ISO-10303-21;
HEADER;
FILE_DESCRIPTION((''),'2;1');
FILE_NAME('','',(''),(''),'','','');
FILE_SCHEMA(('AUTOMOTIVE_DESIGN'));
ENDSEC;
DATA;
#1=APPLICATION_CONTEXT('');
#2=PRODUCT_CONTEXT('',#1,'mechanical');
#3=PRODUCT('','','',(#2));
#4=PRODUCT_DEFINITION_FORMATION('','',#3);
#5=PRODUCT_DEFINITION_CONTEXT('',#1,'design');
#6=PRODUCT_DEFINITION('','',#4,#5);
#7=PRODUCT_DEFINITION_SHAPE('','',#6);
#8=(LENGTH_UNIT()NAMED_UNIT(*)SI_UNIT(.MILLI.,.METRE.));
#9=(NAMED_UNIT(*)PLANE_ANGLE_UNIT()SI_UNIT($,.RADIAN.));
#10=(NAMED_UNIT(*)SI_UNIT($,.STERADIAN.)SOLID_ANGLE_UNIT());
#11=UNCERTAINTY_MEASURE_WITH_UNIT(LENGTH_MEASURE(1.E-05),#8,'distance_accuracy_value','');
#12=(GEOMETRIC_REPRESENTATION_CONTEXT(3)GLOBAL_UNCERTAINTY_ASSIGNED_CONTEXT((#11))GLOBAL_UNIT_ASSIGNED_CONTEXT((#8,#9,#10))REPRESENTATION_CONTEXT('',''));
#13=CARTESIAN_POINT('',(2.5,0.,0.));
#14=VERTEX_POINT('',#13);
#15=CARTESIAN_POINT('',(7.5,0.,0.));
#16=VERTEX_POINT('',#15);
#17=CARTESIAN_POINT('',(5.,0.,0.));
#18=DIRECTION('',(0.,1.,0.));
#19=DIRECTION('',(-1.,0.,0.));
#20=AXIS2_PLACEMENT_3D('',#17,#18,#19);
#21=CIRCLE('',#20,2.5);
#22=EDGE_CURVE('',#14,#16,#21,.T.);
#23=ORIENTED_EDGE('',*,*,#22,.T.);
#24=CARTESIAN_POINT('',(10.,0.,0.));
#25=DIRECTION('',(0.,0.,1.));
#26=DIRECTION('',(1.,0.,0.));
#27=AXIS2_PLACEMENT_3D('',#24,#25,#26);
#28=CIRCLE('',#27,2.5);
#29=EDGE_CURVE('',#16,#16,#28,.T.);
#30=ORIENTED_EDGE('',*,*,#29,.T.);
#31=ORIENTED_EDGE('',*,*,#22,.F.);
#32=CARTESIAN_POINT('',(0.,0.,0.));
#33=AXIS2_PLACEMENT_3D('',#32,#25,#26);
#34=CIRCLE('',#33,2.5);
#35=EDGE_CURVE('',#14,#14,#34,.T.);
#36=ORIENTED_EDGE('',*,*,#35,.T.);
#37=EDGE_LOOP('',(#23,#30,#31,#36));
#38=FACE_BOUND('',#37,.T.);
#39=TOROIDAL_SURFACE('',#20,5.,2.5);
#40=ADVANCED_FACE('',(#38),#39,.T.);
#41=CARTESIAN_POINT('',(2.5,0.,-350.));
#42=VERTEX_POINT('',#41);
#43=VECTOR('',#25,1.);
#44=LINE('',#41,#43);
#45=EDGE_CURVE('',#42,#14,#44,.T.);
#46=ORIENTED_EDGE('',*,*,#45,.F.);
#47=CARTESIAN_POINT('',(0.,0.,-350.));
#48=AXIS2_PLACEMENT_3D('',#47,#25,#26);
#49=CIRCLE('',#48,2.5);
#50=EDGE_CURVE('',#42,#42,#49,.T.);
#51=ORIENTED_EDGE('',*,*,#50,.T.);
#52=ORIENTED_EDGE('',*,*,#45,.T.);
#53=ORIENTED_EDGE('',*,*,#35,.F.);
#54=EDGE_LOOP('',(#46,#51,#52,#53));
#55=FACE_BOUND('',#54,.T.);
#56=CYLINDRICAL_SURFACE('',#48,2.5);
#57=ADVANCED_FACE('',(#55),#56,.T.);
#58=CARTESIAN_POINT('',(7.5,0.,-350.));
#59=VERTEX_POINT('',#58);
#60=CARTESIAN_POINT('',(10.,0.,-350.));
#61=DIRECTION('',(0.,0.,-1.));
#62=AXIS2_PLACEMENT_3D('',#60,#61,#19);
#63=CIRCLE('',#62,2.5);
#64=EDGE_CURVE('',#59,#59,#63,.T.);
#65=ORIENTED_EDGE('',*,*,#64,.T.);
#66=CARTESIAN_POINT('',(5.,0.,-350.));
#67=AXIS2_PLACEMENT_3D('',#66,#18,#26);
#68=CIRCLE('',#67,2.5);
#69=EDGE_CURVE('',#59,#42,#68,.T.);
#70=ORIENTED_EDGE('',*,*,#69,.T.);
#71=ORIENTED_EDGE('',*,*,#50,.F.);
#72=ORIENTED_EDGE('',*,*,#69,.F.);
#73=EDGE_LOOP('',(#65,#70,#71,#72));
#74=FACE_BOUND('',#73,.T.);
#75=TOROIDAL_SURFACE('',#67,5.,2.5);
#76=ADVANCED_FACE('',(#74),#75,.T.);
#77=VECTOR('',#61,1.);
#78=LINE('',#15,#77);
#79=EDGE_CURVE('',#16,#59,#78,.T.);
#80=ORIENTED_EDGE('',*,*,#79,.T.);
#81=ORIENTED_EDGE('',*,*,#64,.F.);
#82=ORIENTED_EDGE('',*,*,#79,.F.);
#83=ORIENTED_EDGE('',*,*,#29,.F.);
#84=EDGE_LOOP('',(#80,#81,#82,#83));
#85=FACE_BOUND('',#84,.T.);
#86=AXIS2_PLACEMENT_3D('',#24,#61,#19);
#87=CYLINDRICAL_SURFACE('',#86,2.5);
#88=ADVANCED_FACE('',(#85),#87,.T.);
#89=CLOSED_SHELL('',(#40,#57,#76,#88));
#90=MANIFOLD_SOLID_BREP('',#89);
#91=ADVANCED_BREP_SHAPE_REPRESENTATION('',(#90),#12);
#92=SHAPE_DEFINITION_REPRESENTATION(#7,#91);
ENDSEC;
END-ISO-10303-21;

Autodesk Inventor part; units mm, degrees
ref_plane "YZ Plane" through (0, 0, 0) normal (1, 0, 0) x (0, 1, 0)
ref_plane "XZ Plane" through (0, 0, 0) normal (0, 1, 0) x (-1, 0, 0)
ref_plane "XY Plane" through (0, 0, 0) normal (0, 0, 1) x (1, 0, 0)
sketch "Эскиз1" plane through (0, 0, 0) normal (0, 0, 1) x (1, 0, 0)
  circle A0 centre (0, 0) radius 2.5
  dimension "d0" = 5
sketch "Эскиз2" plane through (0, 0, 0) normal (0, 1, 0) x (-1, 0, 0)
  line L0 (0, 0) -> (-10, 0)
  line L1 (-5, 0) -> (-5, -350)
  line L2 (-5, 0) -> (345, 0) construction
  line L3 (-5, 0) -> (-5, -350) construction
  line L4 (-10, 0) -> (-10, -350)
  line L5 (0, -350) -> (0, 0)
  arc A0 (0, 0) -> (-10, 0) centre (-5, 0) ccw
  arc A1 (-10, -350) -> (0, -350) centre (-5, -350) ccw
  point P0 (-5, -175)
  dimension "d1" = 10
  dimension "d2" = 350
  dimension "d3" = 90
sweep "Сдвиг1" add profiles "Эскиз1" path "Эскиз2" path curves L5 A1 L4 A0
properties part number "жгут сосало  длин"
